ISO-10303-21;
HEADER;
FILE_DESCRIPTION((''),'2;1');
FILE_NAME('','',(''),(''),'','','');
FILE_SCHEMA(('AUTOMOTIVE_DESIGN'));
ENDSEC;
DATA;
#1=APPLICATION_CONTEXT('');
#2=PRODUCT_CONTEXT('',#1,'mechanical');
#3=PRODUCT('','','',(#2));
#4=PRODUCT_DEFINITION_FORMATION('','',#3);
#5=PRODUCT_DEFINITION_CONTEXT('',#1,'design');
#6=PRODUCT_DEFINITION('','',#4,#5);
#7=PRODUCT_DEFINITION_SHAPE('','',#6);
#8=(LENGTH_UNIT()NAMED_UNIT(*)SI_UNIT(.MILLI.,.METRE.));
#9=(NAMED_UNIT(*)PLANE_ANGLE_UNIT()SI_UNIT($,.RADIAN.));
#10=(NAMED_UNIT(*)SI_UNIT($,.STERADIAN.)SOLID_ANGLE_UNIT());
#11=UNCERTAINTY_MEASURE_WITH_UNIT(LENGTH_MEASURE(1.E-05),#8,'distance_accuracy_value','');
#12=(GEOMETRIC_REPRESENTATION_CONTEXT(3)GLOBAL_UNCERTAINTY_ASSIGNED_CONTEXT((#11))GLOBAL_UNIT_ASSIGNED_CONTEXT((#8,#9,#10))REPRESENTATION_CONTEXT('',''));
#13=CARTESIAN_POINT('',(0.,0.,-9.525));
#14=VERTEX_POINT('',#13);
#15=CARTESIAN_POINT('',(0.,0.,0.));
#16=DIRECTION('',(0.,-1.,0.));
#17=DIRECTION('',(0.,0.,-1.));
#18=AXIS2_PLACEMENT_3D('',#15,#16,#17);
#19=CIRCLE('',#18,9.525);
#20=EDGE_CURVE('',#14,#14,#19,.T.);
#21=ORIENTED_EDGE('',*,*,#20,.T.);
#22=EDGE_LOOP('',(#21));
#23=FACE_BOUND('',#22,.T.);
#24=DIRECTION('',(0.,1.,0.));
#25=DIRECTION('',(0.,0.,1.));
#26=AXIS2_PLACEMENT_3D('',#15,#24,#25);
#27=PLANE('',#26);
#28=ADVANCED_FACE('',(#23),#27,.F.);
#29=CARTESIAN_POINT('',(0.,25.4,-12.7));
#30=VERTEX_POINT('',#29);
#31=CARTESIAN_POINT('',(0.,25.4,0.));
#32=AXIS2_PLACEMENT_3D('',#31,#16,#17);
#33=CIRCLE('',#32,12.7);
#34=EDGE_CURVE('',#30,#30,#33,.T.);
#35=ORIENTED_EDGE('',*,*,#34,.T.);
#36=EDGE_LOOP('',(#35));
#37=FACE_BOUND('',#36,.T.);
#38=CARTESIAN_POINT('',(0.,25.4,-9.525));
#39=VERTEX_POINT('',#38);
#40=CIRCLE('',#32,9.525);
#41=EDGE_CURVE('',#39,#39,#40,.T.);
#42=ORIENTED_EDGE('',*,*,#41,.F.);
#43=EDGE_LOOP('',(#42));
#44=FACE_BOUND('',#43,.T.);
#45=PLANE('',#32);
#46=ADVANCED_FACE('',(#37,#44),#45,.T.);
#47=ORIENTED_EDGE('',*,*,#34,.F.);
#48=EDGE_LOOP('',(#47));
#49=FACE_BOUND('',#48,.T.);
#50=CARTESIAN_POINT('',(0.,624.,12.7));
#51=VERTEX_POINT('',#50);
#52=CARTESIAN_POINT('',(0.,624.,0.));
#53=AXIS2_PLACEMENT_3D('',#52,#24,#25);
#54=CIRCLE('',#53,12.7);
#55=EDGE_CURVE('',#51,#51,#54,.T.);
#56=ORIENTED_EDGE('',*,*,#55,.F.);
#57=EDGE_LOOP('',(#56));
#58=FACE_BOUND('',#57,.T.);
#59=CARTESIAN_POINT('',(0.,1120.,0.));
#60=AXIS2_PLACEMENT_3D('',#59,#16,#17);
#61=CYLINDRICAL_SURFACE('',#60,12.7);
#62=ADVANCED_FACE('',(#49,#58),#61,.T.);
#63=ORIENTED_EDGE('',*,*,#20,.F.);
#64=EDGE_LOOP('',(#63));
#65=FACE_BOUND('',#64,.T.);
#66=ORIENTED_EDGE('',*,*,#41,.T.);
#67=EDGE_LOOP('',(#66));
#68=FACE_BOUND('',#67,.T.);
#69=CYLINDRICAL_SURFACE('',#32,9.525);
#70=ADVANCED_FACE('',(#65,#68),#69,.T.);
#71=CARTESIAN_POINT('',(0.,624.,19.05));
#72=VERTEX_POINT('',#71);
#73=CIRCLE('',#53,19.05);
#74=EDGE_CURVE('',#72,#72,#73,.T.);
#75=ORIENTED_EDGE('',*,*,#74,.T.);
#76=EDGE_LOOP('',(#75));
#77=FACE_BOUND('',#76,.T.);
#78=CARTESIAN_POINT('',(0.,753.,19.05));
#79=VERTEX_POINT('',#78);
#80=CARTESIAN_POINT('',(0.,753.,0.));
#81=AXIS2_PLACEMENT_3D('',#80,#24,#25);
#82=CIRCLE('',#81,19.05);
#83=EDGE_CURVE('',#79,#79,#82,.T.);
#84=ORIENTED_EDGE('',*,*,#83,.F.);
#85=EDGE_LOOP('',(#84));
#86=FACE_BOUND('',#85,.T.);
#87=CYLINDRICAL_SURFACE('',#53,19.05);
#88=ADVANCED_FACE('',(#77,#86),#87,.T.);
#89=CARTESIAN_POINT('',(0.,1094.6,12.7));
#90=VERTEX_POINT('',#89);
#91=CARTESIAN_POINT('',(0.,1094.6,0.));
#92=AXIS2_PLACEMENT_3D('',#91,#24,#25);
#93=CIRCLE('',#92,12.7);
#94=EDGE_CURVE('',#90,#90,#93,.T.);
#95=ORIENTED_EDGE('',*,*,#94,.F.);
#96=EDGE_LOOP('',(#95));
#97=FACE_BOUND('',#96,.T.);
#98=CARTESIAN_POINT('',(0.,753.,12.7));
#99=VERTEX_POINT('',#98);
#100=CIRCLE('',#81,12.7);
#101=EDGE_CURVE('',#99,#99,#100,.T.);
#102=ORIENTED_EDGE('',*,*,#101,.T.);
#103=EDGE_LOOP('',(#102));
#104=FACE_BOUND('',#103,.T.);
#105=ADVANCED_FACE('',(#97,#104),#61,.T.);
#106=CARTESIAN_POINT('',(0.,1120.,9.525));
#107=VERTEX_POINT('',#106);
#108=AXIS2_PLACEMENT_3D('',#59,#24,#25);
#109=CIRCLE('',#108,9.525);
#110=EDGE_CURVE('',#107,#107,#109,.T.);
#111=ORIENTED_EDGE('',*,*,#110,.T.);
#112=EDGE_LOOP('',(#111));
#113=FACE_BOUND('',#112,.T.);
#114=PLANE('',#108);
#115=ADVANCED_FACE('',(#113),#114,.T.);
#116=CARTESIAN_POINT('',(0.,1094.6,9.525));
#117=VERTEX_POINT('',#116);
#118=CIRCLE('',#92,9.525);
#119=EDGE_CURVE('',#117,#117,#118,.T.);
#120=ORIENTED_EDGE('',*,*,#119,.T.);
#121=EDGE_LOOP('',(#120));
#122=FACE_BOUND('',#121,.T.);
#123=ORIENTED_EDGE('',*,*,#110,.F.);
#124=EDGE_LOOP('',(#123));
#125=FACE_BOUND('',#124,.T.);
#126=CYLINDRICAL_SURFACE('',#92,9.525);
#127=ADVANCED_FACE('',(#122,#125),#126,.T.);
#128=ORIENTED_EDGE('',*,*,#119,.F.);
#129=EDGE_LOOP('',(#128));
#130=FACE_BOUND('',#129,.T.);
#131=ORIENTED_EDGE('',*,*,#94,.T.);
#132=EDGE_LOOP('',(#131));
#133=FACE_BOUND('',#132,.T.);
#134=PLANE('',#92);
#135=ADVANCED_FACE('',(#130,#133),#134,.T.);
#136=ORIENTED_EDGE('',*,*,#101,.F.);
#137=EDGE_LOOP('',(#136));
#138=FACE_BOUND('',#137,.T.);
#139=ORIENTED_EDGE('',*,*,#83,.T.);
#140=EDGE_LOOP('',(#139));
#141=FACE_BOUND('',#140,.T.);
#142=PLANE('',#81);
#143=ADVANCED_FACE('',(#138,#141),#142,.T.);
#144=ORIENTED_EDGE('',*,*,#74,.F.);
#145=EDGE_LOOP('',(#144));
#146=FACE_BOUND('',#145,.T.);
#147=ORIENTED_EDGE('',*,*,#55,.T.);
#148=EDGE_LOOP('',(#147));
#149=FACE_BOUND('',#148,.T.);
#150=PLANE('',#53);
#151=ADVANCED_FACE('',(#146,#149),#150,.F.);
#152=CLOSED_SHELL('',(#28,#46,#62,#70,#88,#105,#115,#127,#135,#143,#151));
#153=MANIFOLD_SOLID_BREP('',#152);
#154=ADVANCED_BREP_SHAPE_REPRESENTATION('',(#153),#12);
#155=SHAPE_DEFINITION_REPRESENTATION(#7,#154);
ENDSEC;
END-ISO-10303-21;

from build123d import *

# Parameters (mm, degrees)
SKETCH1_R           = 12.7
BOSS_EXTRUDE1_DEPTH = 1120
SKETCH3_R           = 12.7
SKETCH3_R_2         = 9.525
CUT_EXTRUDE1_DEPTH  = 25.4
SKETCH4_R           = 12.7
SKETCH4_R_2         = 9.525
CUT_EXTRUDE2_DEPTH  = 25.4
SKETCH5_R           = 19.05
SKETCH5_R_2         = 12.7
BOSS_EXTRUDE2_DEPTH = 129


with BuildPart() as part:
    # Sketch1 → Boss-Extrude1 (new body)
    with BuildSketch(Plane(origin=(0, 0, 0), x_dir=(1, 0, 0), z_dir=(0, 1, 0))):
        Circle(SKETCH1_R)
    extrude(amount=BOSS_EXTRUDE1_DEPTH)

    # Sketch3 → Cut-Extrude1 (cut)
    with BuildSketch(Plane.XZ):
        Circle(SKETCH3_R)
        Circle(SKETCH3_R_2, mode=Mode.SUBTRACT)
    extrude(amount=-CUT_EXTRUDE1_DEPTH, mode=Mode.SUBTRACT)

    # Sketch4 → Cut-Extrude2 (cut)
    with BuildSketch(Plane(origin=(0, 1120, 0), x_dir=(1, 0, 0), z_dir=(0, 1, 0))):
        Circle(SKETCH4_R)
        Circle(SKETCH4_R_2, mode=Mode.SUBTRACT)
    extrude(amount=-CUT_EXTRUDE2_DEPTH, mode=Mode.SUBTRACT)

    # Sketch5 → Boss-Extrude2 (add)
    with BuildSketch(Plane(origin=(0, 753, 0), x_dir=(1, 0, 0), z_dir=(0, 1, 0))):
        Circle(SKETCH5_R)
        Circle(SKETCH5_R_2, mode=Mode.SUBTRACT)
    extrude(amount=-BOSS_EXTRUDE2_DEPTH)


solid = part.part
